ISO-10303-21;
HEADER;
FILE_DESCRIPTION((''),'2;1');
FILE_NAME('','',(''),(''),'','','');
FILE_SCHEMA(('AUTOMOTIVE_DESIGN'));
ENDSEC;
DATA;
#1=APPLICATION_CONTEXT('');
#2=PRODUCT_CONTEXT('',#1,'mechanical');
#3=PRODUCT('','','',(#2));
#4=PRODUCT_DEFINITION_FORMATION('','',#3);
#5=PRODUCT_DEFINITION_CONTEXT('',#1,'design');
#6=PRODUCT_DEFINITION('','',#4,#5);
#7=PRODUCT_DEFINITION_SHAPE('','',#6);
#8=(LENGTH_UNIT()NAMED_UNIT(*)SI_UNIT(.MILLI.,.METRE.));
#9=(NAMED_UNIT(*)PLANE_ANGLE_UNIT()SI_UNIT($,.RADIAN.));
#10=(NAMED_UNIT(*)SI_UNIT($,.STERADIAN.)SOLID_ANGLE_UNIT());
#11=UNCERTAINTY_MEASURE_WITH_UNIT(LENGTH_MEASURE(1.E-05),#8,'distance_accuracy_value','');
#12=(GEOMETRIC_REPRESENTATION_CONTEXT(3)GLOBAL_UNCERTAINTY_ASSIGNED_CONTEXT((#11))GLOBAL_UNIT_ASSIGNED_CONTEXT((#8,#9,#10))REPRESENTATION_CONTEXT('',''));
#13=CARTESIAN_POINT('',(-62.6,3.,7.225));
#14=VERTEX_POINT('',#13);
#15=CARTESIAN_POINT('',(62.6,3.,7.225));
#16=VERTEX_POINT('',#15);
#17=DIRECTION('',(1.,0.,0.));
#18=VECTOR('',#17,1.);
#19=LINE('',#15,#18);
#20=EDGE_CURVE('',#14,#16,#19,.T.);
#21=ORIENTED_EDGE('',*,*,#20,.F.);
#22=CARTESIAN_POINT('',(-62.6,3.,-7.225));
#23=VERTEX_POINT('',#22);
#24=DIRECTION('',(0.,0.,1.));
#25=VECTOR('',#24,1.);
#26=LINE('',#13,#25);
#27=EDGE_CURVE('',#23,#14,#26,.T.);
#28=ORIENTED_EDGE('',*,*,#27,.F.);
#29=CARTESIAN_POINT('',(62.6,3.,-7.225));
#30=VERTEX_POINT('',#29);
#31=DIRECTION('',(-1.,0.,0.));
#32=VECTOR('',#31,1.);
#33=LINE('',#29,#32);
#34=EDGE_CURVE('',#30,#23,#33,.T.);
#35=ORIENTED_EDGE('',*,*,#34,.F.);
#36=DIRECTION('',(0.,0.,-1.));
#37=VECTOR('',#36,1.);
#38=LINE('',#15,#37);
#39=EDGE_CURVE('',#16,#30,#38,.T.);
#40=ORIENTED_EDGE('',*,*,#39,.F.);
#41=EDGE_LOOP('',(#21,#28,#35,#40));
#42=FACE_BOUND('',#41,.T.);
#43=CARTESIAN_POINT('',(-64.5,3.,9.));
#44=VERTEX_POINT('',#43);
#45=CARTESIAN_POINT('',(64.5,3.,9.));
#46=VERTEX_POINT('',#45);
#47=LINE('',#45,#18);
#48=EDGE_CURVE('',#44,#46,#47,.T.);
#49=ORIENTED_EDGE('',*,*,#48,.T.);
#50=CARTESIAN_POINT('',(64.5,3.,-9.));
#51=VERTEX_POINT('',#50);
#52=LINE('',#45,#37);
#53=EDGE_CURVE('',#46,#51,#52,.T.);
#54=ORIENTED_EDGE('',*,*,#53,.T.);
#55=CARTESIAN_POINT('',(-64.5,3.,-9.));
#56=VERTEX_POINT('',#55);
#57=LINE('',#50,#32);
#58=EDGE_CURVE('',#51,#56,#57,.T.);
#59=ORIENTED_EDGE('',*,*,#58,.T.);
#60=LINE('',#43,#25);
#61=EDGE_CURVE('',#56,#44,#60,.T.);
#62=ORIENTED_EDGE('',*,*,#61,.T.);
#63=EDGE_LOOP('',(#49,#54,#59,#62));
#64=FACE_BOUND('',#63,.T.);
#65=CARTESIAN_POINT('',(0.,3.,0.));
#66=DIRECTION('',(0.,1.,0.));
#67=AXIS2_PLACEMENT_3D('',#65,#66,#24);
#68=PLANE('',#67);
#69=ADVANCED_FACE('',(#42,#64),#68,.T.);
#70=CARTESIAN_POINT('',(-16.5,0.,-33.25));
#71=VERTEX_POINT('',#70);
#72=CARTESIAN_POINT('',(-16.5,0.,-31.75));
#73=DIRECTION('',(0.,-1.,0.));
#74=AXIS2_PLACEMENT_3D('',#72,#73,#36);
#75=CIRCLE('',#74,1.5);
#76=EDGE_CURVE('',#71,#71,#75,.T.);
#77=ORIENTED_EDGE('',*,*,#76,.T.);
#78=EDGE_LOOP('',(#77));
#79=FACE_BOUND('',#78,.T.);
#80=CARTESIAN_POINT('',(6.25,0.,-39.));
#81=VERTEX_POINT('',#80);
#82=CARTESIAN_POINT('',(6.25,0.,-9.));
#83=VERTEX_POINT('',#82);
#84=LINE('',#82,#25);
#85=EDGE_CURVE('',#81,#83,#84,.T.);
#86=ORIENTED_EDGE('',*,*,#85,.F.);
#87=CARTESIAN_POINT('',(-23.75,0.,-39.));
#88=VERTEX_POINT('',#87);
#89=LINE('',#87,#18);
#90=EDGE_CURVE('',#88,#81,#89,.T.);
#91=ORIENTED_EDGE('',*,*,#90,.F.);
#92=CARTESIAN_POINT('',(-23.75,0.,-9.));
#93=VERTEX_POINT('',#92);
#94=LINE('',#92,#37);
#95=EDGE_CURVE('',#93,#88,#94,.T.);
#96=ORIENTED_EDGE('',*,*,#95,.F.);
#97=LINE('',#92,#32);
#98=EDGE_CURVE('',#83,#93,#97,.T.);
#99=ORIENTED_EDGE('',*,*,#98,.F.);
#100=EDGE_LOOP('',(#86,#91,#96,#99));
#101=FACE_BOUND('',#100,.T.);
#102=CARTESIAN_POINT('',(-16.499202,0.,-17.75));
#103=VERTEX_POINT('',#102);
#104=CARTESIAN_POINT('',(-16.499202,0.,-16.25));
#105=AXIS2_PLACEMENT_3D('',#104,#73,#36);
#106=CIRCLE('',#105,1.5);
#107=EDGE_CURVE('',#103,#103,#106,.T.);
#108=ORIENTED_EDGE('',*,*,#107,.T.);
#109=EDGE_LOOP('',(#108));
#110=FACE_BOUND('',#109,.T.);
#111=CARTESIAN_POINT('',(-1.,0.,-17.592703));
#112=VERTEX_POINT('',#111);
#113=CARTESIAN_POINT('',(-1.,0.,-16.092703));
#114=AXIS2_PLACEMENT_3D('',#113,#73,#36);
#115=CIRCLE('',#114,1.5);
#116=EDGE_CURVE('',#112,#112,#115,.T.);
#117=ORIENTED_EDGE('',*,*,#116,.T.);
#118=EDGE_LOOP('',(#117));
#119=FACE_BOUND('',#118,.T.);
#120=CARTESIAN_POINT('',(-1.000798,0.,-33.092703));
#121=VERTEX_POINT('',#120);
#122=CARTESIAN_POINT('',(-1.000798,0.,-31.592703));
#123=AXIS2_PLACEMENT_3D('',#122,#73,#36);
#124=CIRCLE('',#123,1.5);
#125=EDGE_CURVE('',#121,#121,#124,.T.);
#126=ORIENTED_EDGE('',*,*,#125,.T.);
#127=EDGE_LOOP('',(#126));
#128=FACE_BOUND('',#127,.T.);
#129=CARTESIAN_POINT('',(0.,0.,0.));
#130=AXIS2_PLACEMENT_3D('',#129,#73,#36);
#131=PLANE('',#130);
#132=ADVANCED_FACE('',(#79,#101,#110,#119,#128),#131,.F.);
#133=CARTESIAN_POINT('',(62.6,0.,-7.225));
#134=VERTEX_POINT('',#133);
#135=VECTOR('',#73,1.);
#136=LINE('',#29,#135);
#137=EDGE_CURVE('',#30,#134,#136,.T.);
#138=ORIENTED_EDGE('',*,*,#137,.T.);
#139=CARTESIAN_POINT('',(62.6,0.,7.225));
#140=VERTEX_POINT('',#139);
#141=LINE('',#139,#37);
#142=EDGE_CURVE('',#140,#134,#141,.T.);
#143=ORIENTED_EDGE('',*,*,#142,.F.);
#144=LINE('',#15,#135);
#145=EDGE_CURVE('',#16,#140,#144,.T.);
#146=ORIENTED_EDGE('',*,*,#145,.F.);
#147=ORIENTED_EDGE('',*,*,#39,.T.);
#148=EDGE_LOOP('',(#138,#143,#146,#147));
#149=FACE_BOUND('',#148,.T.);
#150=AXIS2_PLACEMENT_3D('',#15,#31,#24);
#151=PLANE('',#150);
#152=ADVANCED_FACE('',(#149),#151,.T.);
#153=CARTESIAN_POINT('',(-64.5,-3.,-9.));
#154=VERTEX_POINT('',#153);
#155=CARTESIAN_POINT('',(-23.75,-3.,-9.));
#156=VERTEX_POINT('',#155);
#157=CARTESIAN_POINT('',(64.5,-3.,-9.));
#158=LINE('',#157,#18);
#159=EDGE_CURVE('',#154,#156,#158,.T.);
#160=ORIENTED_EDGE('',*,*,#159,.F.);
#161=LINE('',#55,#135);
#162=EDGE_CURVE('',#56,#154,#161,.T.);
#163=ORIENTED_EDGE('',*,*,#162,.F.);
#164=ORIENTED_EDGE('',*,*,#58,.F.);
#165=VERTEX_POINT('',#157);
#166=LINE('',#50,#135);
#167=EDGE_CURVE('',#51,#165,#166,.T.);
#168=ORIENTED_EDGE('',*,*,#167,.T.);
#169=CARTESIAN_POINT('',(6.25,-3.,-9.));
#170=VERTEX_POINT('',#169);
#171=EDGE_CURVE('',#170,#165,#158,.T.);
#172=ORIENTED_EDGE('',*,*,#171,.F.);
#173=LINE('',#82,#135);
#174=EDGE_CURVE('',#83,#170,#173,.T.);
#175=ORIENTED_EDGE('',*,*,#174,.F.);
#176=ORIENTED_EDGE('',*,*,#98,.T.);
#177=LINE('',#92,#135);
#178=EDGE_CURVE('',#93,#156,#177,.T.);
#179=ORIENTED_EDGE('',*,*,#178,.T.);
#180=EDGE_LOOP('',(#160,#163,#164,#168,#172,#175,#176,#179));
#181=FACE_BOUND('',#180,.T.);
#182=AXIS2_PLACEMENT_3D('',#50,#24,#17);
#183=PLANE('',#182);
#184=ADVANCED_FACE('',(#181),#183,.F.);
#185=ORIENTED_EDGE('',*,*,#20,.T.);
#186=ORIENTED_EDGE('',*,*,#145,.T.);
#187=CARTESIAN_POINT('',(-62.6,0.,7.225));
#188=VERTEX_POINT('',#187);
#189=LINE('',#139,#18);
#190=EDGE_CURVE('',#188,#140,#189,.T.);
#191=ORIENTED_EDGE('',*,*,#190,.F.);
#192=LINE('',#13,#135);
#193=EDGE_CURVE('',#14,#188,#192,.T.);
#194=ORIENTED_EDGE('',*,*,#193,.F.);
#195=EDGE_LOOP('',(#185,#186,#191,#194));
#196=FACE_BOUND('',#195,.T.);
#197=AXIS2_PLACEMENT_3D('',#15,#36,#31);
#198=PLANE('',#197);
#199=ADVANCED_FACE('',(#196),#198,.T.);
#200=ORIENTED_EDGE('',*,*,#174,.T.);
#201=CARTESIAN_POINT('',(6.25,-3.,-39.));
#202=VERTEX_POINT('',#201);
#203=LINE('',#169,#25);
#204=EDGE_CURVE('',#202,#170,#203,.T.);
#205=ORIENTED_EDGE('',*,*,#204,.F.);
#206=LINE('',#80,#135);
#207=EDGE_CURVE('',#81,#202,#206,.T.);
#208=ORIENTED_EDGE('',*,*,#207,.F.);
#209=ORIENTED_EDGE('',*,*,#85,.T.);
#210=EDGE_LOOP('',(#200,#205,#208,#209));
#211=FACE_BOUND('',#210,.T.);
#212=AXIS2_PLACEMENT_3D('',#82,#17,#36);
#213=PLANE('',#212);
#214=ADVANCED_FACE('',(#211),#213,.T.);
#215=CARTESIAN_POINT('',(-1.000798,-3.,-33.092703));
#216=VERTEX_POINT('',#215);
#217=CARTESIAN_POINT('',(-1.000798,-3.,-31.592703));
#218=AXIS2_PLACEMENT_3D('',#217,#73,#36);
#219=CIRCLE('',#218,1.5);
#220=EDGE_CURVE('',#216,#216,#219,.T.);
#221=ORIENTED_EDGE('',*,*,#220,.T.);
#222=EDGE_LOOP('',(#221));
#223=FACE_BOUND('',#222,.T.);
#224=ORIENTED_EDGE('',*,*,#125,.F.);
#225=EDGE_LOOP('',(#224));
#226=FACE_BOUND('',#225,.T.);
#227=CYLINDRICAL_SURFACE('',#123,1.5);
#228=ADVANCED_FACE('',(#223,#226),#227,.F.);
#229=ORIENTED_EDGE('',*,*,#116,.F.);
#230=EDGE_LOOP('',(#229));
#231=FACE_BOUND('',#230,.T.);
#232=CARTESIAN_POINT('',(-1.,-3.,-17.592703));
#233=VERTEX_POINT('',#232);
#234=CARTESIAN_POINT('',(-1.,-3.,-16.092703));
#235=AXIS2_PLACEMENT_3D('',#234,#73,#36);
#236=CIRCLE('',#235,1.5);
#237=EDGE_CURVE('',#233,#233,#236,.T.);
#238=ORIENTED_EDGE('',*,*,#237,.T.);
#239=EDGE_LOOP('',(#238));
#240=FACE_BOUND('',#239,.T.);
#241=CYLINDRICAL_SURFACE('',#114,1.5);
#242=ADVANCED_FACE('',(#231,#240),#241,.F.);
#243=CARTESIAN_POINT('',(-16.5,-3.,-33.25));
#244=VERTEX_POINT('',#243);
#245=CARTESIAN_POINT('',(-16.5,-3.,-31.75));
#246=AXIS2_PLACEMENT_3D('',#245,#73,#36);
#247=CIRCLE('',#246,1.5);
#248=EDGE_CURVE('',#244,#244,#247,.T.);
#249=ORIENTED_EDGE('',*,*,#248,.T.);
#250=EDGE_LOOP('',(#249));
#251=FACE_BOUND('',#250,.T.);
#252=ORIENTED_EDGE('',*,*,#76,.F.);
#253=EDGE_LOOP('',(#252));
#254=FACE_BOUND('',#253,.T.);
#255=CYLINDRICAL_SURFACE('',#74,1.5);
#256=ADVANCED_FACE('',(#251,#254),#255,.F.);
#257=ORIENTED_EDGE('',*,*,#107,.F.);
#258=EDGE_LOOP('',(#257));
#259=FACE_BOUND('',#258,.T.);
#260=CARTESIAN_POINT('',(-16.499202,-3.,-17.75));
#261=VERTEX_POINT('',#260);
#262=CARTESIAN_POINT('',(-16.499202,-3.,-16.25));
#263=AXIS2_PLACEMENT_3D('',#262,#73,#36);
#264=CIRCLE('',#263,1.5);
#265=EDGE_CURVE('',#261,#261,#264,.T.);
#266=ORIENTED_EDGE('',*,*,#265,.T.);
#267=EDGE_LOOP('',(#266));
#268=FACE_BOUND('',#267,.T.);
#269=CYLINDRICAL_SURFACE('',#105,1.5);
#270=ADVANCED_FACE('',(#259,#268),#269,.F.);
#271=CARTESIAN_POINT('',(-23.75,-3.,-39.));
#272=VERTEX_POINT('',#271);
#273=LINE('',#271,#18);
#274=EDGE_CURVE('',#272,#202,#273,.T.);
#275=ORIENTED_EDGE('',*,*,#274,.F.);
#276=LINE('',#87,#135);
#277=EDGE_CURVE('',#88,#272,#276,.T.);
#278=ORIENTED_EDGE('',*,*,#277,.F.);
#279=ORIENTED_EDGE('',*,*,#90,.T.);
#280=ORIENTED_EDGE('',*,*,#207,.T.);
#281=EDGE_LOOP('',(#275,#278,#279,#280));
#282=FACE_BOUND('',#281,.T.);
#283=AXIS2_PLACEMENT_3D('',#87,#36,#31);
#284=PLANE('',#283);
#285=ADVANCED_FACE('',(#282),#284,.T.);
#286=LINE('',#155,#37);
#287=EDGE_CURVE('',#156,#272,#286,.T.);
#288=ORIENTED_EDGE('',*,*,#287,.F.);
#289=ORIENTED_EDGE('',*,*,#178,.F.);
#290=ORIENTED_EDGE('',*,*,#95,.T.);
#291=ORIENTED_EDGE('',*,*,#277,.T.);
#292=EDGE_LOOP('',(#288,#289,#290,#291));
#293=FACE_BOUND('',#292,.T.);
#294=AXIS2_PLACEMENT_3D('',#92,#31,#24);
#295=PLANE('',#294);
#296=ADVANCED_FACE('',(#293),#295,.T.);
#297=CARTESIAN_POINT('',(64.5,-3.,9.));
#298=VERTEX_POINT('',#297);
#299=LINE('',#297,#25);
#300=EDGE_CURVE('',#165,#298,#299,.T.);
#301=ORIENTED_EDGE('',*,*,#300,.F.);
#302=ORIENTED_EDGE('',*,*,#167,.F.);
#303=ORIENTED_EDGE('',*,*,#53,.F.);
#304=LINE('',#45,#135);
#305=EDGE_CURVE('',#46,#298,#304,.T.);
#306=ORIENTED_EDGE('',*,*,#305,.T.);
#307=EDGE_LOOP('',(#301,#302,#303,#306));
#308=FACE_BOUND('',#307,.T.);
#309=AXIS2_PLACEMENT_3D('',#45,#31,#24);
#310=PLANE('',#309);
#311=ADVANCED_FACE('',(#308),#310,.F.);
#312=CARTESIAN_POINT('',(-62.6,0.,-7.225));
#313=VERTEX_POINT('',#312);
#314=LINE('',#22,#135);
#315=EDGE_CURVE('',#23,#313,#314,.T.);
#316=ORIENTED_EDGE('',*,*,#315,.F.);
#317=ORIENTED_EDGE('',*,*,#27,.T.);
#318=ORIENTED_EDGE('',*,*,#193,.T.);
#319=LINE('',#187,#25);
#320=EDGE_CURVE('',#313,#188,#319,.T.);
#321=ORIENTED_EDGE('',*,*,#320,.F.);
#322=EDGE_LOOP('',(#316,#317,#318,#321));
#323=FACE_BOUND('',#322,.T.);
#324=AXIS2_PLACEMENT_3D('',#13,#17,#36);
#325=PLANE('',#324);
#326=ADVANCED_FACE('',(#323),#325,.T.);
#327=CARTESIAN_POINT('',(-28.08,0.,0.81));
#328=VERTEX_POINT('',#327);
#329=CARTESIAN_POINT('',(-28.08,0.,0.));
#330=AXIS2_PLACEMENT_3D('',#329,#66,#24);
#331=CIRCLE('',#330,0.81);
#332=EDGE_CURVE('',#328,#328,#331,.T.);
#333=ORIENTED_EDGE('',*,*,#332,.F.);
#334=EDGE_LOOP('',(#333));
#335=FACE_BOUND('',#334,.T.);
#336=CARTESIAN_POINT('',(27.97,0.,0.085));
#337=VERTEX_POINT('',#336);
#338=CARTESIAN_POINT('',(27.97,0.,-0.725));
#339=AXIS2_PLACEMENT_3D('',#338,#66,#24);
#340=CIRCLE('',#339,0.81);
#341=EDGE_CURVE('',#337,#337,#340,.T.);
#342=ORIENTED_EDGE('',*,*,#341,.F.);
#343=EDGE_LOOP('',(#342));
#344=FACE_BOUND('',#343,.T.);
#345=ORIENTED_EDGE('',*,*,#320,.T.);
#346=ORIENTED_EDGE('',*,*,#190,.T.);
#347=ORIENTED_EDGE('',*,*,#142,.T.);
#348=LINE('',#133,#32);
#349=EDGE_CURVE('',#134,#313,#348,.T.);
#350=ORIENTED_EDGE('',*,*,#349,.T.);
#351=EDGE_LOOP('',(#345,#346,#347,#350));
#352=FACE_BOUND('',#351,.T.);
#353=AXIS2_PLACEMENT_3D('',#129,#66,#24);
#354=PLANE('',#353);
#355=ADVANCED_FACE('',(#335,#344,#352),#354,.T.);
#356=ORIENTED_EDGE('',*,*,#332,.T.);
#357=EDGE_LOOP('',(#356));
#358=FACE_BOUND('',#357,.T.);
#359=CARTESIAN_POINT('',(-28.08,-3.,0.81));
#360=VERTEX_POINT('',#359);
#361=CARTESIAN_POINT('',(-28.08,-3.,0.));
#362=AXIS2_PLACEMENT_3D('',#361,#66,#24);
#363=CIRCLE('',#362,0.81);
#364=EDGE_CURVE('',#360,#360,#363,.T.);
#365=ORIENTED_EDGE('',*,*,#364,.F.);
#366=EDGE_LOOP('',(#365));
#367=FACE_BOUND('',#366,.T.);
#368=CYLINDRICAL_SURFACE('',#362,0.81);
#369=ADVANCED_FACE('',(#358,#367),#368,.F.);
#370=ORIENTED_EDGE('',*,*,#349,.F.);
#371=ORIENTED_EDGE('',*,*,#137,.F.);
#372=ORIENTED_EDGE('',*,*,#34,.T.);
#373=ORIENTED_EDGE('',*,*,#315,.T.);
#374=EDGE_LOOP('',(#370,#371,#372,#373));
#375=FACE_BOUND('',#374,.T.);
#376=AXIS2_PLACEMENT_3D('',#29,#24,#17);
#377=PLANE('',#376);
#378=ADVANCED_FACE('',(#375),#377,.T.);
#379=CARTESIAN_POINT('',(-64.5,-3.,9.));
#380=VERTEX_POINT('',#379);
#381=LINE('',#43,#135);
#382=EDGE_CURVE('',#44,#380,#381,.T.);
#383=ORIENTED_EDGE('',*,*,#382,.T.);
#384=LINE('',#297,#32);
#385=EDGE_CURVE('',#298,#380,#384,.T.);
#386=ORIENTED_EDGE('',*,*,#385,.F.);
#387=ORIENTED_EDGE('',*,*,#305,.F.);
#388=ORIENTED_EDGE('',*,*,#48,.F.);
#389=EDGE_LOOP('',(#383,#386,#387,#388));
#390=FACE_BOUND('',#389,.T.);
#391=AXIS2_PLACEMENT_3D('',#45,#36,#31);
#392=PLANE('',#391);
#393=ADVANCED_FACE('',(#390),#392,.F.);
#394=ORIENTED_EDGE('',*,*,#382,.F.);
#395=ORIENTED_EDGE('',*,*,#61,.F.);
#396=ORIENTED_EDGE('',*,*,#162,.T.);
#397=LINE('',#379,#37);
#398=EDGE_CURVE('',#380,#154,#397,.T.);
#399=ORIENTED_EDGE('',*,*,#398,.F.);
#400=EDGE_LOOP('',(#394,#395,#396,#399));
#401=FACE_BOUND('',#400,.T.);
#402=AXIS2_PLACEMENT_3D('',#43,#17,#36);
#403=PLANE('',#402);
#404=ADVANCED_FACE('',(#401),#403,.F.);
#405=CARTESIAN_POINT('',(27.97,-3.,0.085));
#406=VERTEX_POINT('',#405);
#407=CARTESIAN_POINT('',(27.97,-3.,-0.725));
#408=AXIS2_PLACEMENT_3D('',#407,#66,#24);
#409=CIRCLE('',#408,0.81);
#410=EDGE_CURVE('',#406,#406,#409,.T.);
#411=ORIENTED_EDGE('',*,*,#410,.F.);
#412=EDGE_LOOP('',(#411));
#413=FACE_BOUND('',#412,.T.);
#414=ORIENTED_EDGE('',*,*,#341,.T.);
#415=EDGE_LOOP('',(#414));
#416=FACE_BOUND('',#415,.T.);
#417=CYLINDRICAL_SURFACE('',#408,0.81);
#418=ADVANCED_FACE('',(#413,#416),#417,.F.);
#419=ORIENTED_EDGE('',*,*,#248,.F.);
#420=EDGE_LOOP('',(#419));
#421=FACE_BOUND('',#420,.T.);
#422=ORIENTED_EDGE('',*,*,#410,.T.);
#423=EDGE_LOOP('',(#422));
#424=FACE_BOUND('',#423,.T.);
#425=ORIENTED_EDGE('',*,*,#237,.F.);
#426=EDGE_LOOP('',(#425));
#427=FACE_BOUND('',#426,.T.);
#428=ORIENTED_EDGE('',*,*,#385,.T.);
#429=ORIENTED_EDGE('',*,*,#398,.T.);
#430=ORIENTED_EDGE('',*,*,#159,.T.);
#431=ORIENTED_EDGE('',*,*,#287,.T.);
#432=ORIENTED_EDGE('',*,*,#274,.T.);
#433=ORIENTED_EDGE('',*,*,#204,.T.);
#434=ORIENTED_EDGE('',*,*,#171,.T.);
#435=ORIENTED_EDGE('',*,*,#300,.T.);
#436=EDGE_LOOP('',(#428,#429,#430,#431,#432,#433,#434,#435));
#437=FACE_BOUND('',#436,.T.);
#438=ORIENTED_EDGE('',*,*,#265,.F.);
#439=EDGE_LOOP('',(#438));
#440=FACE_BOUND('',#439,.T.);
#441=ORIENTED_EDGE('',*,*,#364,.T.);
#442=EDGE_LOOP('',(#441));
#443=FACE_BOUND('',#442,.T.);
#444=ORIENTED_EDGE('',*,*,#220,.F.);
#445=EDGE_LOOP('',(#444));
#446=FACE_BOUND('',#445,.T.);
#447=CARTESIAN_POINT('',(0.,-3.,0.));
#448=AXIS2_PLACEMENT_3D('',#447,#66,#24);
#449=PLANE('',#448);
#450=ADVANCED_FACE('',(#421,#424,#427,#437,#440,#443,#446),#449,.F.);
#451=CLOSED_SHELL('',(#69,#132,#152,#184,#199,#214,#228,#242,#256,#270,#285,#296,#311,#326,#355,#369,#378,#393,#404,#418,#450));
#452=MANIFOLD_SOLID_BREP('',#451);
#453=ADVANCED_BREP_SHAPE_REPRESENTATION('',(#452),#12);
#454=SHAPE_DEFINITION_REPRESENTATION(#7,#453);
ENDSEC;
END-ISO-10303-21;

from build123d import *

# Parameters (mm, degrees)
SKETCH1_W           = 129
SKETCH1_H           = 18
SKETCH1_W_2         = 125.2
SKETCH1_H_2         = 14.45
BOSS_EXTRUDE1_DEPTH = 3
SKETCH2_W           = 129
SKETCH2_H           = 18
BOSS_EXTRUDE2_DEPTH = 3
SKETCH4_R           = 0.81
CUT_EXTRUDE1_DEPTH  = 4
SKETCH5_W           = 30
SKETCH5_H           = 30
SKETCH5_R           = 1.5
BOSS_EXTRUDE4_DEPTH = 3


with BuildPart() as part:
    # Sketch1 → Boss-Extrude1 (new body)
    with BuildSketch(Plane(origin=(0, 0, 0), x_dir=(1, 0, 0), z_dir=(0, 1, 0))):
        Rectangle(SKETCH1_W, SKETCH1_H)
        Rectangle(SKETCH1_W_2, SKETCH1_H_2, mode=Mode.SUBTRACT)
    extrude(amount=BOSS_EXTRUDE1_DEPTH)

    # Sketch2 → Boss-Extrude2 (add)
    with BuildSketch(Plane.XZ):
        Rectangle(SKETCH2_W, SKETCH2_H)
    extrude(amount=BOSS_EXTRUDE2_DEPTH)

    # Sketch4 → Cut-Extrude1 (cut, through all)
    with BuildSketch(Plane(origin=(0, 0, 0), x_dir=(1, 0, 0), z_dir=(0, 1, 0))):
        with Locations((27.97, 0.725)):
            Circle(SKETCH4_R)
        with Locations((-28.08, 0)):
            Circle(SKETCH4_R)
    extrude(amount=-CUT_EXTRUDE1_DEPTH, mode=Mode.SUBTRACT)

    # Sketch5 → Boss-Extrude4 (add)
    with BuildSketch(Plane.XZ.offset(3)):
        with Locations((-8.75, -24)):
            Rectangle(SKETCH5_W, SKETCH5_H)
        with Locations((-1, -16.092702878)):
            Circle(SKETCH5_R, mode=Mode.SUBTRACT)
        with Locations((-1.000798162, -31.592702857)):
            Circle(SKETCH5_R, mode=Mode.SUBTRACT)
        with Locations((-16.5, -31.75)):
            Circle(SKETCH5_R, mode=Mode.SUBTRACT)
        with Locations((-16.499201838, -16.250000021)):
            Circle(SKETCH5_R, mode=Mode.SUBTRACT)
    extrude(amount=-BOSS_EXTRUDE4_DEPTH)


solid = part.part
